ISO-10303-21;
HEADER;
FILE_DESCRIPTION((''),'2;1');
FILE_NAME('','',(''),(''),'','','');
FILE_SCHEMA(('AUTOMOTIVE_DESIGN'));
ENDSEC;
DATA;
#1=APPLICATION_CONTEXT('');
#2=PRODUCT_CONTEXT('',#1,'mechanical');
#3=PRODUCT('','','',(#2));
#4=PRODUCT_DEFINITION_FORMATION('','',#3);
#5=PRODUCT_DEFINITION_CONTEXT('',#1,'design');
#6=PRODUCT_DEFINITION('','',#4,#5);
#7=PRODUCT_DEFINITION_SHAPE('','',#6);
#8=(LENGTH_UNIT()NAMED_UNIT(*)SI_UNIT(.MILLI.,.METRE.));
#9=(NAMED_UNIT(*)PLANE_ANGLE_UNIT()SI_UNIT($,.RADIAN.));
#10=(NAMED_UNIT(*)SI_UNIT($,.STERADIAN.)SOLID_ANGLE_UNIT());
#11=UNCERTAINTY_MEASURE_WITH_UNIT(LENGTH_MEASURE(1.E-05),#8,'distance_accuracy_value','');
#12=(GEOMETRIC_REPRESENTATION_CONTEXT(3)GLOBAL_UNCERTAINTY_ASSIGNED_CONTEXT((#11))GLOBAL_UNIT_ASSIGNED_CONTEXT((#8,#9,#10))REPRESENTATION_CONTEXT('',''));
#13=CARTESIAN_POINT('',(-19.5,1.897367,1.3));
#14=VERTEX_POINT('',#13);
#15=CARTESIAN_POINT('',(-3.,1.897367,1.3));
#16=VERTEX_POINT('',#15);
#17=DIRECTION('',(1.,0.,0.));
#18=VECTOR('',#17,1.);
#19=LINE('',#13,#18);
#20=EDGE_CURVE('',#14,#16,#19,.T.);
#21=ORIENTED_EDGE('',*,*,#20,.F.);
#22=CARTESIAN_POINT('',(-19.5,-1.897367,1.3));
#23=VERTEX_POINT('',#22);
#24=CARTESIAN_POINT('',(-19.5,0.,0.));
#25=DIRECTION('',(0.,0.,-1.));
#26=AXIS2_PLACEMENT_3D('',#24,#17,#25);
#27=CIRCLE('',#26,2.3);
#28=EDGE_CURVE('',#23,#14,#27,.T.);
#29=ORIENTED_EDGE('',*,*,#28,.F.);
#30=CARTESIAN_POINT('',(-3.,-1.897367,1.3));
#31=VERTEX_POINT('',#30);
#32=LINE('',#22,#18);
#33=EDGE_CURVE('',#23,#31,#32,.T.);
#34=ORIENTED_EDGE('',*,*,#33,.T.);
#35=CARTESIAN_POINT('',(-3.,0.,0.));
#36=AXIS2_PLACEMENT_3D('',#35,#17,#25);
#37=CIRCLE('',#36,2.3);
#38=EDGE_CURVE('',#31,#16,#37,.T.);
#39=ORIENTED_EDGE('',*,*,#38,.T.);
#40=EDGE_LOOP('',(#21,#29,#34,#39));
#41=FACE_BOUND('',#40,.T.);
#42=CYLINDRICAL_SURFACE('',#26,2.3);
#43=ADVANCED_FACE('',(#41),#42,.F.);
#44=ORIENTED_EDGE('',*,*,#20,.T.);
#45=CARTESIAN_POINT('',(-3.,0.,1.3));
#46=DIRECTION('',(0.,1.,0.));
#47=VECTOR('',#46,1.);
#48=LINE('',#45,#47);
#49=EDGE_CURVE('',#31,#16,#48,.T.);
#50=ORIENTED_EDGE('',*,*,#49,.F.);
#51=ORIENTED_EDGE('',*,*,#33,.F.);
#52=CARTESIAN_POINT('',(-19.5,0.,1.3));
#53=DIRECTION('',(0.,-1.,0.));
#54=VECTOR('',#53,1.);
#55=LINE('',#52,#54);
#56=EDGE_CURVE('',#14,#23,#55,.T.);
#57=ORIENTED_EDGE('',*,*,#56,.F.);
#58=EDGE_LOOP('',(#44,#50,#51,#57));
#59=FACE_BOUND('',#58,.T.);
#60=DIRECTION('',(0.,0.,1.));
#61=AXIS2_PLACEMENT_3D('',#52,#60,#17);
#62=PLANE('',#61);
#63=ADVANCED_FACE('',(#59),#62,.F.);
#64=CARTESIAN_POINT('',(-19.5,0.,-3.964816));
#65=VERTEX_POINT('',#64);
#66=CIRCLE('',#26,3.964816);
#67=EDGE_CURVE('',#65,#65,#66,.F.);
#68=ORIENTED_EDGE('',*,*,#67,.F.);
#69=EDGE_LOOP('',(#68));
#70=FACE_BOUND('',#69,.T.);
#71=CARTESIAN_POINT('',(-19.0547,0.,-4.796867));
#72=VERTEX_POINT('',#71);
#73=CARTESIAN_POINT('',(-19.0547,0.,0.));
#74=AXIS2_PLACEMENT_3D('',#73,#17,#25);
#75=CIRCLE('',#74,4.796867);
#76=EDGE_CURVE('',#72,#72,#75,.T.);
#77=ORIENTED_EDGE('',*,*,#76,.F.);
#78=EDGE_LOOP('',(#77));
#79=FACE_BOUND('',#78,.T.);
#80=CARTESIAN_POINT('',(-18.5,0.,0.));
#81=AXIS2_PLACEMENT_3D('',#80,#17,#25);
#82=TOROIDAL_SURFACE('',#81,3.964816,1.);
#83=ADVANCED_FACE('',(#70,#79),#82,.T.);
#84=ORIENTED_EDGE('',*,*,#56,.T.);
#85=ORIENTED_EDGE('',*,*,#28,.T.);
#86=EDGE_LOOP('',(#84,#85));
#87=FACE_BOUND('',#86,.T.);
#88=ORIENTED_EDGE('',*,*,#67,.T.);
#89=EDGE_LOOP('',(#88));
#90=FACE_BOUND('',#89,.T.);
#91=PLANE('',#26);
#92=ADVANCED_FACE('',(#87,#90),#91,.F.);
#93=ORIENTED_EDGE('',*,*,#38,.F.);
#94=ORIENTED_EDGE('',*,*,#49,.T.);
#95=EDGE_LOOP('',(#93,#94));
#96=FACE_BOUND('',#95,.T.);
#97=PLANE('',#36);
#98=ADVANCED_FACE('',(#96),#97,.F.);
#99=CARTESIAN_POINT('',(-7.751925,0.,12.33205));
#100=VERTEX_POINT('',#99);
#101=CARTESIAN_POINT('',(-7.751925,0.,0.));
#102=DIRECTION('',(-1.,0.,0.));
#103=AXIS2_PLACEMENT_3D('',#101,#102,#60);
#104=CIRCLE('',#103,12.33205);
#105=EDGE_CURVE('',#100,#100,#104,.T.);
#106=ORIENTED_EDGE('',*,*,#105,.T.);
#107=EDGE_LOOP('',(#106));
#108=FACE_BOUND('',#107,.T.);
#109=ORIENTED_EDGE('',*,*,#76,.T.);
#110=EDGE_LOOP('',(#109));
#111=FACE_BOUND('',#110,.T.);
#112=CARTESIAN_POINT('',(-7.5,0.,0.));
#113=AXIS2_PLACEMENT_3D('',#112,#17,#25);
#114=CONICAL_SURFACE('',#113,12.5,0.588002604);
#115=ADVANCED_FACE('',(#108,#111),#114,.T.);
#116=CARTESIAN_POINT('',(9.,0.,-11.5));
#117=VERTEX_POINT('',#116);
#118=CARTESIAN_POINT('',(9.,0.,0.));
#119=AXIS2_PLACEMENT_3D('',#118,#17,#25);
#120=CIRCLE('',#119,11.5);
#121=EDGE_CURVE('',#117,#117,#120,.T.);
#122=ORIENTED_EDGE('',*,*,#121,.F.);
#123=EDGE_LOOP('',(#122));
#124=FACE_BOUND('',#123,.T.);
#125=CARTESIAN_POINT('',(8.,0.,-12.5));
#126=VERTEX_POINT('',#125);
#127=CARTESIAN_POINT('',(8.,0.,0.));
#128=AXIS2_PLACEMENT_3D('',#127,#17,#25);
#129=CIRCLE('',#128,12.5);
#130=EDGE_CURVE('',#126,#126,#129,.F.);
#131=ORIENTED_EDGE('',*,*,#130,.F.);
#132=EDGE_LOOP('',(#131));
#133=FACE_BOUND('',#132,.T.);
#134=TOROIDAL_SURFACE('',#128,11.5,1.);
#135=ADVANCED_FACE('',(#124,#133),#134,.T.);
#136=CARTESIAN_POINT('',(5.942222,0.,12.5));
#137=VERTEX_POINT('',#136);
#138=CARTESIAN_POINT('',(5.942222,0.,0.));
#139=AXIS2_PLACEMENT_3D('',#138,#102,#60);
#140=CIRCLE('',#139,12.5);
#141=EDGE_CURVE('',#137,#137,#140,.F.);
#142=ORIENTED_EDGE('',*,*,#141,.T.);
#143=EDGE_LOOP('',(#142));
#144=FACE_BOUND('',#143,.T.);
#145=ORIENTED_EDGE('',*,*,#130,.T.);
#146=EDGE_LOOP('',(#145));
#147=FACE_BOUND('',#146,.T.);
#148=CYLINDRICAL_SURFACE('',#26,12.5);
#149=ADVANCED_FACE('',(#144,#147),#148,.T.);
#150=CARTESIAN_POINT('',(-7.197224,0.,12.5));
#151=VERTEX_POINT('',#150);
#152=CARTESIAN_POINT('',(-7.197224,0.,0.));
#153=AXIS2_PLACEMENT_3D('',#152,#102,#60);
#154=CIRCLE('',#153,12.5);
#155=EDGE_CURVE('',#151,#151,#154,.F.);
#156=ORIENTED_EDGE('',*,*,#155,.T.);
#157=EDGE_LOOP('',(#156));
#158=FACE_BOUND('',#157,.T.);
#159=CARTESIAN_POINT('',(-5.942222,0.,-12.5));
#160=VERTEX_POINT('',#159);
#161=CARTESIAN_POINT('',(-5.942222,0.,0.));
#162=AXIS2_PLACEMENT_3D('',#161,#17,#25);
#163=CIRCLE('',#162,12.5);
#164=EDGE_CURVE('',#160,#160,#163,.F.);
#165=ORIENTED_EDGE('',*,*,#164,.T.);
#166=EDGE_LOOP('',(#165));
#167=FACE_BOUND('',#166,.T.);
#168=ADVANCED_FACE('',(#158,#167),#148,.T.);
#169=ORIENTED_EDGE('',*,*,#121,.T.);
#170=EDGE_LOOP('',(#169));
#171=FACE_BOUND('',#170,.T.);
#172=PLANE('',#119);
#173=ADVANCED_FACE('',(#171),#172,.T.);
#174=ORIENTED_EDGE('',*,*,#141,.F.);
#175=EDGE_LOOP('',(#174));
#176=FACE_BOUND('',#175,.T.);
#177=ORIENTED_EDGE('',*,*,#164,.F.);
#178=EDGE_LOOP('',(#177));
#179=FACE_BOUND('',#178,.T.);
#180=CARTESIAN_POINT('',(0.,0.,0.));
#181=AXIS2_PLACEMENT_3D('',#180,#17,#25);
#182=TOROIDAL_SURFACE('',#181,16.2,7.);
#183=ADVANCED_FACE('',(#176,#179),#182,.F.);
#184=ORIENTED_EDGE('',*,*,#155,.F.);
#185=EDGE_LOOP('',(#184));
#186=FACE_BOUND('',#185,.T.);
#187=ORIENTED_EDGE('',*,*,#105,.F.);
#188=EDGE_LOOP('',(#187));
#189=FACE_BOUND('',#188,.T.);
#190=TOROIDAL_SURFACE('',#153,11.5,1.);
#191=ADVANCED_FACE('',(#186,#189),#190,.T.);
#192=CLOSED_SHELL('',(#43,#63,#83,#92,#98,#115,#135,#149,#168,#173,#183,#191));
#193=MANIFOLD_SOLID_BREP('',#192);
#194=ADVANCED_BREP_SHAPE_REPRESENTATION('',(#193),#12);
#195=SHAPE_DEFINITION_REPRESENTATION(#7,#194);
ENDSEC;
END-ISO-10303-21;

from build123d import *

# Parameters (mm, degrees)
SALIENTE_EXTRUIR1_DEPTH      = 9
SALIENTE_EXTRUIR1_DEPTH_BACK = 19.5
CROQUIS1_R                   = 12.5
CROQUIS2_R                   = 7
CHAFL_N1_SIZE                = 8
CHAFL_N1_SIZE2               = 12
REDONDEO1_R                  = 1
REDONDEO2_R                  = 1
SALIENTE_EXTRUIR2_START      = -3
SALIENTE_EXTRUIR2_DEPTH      = 12


with BuildPart() as part:
    # Croquis1 → Saliente-Extruir1 (new, two sides: drawn at the far end of the back side and taken through both)
    with BuildSketch(Plane.YZ.offset(-SALIENTE_EXTRUIR1_DEPTH_BACK)):
        with Locations(Location((0, 0, 0), (0, 0, 270))):
            Circle(CROQUIS1_R)
        with BuildLine():
            Line((-1.897366596, 1.3), (1.897366596, 1.3))
            ThreePointArc((1.897366596, 1.3), (0, -2.3), (-1.897366596, 1.3))
        make_face(mode=Mode.SUBTRACT)
    extrude(amount=SALIENTE_EXTRUIR1_DEPTH + SALIENTE_EXTRUIR1_DEPTH_BACK)

    # Croquis2 → Cortar-Revolución1 (revolve, cut)
    with BuildSketch(Plane(origin=(0, 0, 0), x_dir=(-1, 0, 0), z_dir=(0, 1, 0)), mode=Mode.PRIVATE) as cortar_revoluci_n1_sk:
        with Locations((0, 16.2)):
            Circle(CROQUIS2_R)
    revolve(cortar_revoluci_n1_sk.sketch.rotate(Axis((7.517678172, 0, 0), (-1, 0, 0)), 180), axis=Axis((7.517678172, 0, 0), (-1, 0, 0)), mode=Mode.SUBTRACT)

    # Chaflán1
    chafl_n1_edges = [part.edges().sort_by_distance(p)[0] for p in [
        (-19.5, 0, 12.5),
    ]]
    chafl_n1_side = [part.faces().sort_by_distance(p)[0] for p in [
        (-19.5, 0, 12.146446609),
    ]]
    chamfer(chafl_n1_edges, length=CHAFL_N1_SIZE, length2=CHAFL_N1_SIZE2, reference=chafl_n1_side[0])

    # Redondeo1
    redondeo1_edges = [part.edges().sort_by_distance(p)[0] for p in [
        (-7.5, 0, 12.5),
        (-19.5, 0, 4.5),
    ]]
    fillet(redondeo1_edges, radius=REDONDEO1_R)

    # Redondeo2
    redondeo2_edges = [part.edges().sort_by_distance(p)[0] for p in [
        (9, 0, 12.5),
    ]]
    fillet(redondeo2_edges, radius=REDONDEO2_R)

    # Croquis1<3> → Saliente-Extruir2 (add)
    with BuildSketch(Plane.YZ.offset(SALIENTE_EXTRUIR2_START)):
        with BuildLine():
            ThreePointArc((2.3, 0), (2.197037001, 0.680461913), (1.897366596, 1.3))
            Line((1.897366596, 1.3), (-1.897366596, 1.3))
            ThreePointArc((-1.897366596, 1.3), (-0.680461913, -2.197037001), (2.3, 0))
        make_face()
        with BuildLine():
            Line((-1.897366596, 1.3), (1.897366596, 1.3))
            ThreePointArc((1.897366596, 1.3), (0, 2.3), (-1.897366596, 1.3))
        make_face()
    extrude(amount=SALIENTE_EXTRUIR2_DEPTH)


solid = part.part
